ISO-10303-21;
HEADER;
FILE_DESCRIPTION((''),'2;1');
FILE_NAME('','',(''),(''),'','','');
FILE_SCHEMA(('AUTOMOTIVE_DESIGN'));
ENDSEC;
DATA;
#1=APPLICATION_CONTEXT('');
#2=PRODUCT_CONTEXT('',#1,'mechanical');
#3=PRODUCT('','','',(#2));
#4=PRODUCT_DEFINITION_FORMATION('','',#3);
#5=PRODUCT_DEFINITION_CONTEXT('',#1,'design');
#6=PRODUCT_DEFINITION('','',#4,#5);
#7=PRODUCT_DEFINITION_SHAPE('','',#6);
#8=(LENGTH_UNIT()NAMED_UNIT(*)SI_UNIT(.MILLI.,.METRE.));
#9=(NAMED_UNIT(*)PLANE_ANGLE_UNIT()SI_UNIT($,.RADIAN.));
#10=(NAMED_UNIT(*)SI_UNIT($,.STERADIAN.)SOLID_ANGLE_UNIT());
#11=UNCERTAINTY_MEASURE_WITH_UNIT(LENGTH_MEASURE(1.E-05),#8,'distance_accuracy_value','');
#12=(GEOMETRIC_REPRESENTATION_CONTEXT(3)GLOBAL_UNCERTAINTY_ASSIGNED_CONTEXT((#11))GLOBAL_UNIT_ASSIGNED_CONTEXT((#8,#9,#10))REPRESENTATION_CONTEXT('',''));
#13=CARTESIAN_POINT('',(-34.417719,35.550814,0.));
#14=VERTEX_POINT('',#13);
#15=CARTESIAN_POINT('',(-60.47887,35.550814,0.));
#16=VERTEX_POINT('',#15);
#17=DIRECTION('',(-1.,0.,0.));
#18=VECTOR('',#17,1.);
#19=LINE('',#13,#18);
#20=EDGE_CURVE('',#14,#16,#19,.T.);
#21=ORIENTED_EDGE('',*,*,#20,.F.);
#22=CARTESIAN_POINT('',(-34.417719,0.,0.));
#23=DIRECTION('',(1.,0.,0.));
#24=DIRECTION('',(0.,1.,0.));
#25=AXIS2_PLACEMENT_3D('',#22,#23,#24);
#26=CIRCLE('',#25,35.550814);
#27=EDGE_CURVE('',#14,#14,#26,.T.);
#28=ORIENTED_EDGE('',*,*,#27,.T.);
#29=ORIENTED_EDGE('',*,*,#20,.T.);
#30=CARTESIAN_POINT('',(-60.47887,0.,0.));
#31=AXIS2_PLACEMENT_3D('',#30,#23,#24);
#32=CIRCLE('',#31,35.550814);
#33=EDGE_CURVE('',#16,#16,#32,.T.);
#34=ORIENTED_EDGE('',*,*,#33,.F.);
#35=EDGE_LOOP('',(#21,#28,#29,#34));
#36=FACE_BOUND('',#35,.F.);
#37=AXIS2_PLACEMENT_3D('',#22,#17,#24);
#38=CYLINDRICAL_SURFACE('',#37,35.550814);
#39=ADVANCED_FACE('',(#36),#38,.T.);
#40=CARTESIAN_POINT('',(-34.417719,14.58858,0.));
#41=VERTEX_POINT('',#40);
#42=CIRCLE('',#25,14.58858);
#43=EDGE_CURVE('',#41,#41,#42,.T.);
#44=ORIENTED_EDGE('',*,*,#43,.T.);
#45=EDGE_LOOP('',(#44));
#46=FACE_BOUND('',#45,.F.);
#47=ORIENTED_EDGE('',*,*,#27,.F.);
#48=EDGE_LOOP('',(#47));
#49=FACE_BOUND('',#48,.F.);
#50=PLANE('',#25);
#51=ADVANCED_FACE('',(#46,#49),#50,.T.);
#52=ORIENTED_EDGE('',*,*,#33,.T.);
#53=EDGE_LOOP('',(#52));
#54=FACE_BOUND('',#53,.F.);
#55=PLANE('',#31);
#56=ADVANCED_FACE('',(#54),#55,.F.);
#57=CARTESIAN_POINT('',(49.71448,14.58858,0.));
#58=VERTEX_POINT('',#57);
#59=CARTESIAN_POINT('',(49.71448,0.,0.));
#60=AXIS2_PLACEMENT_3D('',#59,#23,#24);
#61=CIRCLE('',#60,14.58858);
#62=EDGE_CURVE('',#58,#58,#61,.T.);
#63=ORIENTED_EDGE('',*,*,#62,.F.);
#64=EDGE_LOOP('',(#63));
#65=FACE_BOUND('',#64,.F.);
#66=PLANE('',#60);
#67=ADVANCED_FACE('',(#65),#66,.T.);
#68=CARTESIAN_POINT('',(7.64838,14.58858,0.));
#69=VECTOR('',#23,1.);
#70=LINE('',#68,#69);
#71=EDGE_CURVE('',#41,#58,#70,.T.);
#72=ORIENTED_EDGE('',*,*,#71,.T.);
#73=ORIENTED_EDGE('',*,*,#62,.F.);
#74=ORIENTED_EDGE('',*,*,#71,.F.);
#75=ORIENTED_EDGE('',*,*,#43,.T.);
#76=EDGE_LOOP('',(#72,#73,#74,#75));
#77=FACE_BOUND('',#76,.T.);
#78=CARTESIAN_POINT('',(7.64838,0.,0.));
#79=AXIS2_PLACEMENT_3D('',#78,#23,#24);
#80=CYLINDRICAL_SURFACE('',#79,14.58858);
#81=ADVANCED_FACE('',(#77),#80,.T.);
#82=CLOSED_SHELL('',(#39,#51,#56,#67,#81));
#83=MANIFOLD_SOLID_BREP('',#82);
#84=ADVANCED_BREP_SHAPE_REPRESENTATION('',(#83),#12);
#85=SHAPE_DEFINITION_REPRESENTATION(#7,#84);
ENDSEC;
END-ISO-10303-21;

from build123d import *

# Parameters (mm, degrees)
F0_W = 84.132199
F0_H = 14.58858


with BuildPart() as f1:
    # F0 (on Top) → F1 (revolve)
    with BuildSketch(Plane.XY):
        Polygon((-60.47887, 35.550814), (-60.47887, 0), (-34.417719, 0), (-34.417719, 14.58858), (-34.417719, 35.550814), align=None)
        with Locations((7.64838, 7.29429)):
            Rectangle(F0_W, F0_H)
    revolve(axis=Axis((-5.382195, 0, 0), (1, 0, 0)))


solid = f1.part
